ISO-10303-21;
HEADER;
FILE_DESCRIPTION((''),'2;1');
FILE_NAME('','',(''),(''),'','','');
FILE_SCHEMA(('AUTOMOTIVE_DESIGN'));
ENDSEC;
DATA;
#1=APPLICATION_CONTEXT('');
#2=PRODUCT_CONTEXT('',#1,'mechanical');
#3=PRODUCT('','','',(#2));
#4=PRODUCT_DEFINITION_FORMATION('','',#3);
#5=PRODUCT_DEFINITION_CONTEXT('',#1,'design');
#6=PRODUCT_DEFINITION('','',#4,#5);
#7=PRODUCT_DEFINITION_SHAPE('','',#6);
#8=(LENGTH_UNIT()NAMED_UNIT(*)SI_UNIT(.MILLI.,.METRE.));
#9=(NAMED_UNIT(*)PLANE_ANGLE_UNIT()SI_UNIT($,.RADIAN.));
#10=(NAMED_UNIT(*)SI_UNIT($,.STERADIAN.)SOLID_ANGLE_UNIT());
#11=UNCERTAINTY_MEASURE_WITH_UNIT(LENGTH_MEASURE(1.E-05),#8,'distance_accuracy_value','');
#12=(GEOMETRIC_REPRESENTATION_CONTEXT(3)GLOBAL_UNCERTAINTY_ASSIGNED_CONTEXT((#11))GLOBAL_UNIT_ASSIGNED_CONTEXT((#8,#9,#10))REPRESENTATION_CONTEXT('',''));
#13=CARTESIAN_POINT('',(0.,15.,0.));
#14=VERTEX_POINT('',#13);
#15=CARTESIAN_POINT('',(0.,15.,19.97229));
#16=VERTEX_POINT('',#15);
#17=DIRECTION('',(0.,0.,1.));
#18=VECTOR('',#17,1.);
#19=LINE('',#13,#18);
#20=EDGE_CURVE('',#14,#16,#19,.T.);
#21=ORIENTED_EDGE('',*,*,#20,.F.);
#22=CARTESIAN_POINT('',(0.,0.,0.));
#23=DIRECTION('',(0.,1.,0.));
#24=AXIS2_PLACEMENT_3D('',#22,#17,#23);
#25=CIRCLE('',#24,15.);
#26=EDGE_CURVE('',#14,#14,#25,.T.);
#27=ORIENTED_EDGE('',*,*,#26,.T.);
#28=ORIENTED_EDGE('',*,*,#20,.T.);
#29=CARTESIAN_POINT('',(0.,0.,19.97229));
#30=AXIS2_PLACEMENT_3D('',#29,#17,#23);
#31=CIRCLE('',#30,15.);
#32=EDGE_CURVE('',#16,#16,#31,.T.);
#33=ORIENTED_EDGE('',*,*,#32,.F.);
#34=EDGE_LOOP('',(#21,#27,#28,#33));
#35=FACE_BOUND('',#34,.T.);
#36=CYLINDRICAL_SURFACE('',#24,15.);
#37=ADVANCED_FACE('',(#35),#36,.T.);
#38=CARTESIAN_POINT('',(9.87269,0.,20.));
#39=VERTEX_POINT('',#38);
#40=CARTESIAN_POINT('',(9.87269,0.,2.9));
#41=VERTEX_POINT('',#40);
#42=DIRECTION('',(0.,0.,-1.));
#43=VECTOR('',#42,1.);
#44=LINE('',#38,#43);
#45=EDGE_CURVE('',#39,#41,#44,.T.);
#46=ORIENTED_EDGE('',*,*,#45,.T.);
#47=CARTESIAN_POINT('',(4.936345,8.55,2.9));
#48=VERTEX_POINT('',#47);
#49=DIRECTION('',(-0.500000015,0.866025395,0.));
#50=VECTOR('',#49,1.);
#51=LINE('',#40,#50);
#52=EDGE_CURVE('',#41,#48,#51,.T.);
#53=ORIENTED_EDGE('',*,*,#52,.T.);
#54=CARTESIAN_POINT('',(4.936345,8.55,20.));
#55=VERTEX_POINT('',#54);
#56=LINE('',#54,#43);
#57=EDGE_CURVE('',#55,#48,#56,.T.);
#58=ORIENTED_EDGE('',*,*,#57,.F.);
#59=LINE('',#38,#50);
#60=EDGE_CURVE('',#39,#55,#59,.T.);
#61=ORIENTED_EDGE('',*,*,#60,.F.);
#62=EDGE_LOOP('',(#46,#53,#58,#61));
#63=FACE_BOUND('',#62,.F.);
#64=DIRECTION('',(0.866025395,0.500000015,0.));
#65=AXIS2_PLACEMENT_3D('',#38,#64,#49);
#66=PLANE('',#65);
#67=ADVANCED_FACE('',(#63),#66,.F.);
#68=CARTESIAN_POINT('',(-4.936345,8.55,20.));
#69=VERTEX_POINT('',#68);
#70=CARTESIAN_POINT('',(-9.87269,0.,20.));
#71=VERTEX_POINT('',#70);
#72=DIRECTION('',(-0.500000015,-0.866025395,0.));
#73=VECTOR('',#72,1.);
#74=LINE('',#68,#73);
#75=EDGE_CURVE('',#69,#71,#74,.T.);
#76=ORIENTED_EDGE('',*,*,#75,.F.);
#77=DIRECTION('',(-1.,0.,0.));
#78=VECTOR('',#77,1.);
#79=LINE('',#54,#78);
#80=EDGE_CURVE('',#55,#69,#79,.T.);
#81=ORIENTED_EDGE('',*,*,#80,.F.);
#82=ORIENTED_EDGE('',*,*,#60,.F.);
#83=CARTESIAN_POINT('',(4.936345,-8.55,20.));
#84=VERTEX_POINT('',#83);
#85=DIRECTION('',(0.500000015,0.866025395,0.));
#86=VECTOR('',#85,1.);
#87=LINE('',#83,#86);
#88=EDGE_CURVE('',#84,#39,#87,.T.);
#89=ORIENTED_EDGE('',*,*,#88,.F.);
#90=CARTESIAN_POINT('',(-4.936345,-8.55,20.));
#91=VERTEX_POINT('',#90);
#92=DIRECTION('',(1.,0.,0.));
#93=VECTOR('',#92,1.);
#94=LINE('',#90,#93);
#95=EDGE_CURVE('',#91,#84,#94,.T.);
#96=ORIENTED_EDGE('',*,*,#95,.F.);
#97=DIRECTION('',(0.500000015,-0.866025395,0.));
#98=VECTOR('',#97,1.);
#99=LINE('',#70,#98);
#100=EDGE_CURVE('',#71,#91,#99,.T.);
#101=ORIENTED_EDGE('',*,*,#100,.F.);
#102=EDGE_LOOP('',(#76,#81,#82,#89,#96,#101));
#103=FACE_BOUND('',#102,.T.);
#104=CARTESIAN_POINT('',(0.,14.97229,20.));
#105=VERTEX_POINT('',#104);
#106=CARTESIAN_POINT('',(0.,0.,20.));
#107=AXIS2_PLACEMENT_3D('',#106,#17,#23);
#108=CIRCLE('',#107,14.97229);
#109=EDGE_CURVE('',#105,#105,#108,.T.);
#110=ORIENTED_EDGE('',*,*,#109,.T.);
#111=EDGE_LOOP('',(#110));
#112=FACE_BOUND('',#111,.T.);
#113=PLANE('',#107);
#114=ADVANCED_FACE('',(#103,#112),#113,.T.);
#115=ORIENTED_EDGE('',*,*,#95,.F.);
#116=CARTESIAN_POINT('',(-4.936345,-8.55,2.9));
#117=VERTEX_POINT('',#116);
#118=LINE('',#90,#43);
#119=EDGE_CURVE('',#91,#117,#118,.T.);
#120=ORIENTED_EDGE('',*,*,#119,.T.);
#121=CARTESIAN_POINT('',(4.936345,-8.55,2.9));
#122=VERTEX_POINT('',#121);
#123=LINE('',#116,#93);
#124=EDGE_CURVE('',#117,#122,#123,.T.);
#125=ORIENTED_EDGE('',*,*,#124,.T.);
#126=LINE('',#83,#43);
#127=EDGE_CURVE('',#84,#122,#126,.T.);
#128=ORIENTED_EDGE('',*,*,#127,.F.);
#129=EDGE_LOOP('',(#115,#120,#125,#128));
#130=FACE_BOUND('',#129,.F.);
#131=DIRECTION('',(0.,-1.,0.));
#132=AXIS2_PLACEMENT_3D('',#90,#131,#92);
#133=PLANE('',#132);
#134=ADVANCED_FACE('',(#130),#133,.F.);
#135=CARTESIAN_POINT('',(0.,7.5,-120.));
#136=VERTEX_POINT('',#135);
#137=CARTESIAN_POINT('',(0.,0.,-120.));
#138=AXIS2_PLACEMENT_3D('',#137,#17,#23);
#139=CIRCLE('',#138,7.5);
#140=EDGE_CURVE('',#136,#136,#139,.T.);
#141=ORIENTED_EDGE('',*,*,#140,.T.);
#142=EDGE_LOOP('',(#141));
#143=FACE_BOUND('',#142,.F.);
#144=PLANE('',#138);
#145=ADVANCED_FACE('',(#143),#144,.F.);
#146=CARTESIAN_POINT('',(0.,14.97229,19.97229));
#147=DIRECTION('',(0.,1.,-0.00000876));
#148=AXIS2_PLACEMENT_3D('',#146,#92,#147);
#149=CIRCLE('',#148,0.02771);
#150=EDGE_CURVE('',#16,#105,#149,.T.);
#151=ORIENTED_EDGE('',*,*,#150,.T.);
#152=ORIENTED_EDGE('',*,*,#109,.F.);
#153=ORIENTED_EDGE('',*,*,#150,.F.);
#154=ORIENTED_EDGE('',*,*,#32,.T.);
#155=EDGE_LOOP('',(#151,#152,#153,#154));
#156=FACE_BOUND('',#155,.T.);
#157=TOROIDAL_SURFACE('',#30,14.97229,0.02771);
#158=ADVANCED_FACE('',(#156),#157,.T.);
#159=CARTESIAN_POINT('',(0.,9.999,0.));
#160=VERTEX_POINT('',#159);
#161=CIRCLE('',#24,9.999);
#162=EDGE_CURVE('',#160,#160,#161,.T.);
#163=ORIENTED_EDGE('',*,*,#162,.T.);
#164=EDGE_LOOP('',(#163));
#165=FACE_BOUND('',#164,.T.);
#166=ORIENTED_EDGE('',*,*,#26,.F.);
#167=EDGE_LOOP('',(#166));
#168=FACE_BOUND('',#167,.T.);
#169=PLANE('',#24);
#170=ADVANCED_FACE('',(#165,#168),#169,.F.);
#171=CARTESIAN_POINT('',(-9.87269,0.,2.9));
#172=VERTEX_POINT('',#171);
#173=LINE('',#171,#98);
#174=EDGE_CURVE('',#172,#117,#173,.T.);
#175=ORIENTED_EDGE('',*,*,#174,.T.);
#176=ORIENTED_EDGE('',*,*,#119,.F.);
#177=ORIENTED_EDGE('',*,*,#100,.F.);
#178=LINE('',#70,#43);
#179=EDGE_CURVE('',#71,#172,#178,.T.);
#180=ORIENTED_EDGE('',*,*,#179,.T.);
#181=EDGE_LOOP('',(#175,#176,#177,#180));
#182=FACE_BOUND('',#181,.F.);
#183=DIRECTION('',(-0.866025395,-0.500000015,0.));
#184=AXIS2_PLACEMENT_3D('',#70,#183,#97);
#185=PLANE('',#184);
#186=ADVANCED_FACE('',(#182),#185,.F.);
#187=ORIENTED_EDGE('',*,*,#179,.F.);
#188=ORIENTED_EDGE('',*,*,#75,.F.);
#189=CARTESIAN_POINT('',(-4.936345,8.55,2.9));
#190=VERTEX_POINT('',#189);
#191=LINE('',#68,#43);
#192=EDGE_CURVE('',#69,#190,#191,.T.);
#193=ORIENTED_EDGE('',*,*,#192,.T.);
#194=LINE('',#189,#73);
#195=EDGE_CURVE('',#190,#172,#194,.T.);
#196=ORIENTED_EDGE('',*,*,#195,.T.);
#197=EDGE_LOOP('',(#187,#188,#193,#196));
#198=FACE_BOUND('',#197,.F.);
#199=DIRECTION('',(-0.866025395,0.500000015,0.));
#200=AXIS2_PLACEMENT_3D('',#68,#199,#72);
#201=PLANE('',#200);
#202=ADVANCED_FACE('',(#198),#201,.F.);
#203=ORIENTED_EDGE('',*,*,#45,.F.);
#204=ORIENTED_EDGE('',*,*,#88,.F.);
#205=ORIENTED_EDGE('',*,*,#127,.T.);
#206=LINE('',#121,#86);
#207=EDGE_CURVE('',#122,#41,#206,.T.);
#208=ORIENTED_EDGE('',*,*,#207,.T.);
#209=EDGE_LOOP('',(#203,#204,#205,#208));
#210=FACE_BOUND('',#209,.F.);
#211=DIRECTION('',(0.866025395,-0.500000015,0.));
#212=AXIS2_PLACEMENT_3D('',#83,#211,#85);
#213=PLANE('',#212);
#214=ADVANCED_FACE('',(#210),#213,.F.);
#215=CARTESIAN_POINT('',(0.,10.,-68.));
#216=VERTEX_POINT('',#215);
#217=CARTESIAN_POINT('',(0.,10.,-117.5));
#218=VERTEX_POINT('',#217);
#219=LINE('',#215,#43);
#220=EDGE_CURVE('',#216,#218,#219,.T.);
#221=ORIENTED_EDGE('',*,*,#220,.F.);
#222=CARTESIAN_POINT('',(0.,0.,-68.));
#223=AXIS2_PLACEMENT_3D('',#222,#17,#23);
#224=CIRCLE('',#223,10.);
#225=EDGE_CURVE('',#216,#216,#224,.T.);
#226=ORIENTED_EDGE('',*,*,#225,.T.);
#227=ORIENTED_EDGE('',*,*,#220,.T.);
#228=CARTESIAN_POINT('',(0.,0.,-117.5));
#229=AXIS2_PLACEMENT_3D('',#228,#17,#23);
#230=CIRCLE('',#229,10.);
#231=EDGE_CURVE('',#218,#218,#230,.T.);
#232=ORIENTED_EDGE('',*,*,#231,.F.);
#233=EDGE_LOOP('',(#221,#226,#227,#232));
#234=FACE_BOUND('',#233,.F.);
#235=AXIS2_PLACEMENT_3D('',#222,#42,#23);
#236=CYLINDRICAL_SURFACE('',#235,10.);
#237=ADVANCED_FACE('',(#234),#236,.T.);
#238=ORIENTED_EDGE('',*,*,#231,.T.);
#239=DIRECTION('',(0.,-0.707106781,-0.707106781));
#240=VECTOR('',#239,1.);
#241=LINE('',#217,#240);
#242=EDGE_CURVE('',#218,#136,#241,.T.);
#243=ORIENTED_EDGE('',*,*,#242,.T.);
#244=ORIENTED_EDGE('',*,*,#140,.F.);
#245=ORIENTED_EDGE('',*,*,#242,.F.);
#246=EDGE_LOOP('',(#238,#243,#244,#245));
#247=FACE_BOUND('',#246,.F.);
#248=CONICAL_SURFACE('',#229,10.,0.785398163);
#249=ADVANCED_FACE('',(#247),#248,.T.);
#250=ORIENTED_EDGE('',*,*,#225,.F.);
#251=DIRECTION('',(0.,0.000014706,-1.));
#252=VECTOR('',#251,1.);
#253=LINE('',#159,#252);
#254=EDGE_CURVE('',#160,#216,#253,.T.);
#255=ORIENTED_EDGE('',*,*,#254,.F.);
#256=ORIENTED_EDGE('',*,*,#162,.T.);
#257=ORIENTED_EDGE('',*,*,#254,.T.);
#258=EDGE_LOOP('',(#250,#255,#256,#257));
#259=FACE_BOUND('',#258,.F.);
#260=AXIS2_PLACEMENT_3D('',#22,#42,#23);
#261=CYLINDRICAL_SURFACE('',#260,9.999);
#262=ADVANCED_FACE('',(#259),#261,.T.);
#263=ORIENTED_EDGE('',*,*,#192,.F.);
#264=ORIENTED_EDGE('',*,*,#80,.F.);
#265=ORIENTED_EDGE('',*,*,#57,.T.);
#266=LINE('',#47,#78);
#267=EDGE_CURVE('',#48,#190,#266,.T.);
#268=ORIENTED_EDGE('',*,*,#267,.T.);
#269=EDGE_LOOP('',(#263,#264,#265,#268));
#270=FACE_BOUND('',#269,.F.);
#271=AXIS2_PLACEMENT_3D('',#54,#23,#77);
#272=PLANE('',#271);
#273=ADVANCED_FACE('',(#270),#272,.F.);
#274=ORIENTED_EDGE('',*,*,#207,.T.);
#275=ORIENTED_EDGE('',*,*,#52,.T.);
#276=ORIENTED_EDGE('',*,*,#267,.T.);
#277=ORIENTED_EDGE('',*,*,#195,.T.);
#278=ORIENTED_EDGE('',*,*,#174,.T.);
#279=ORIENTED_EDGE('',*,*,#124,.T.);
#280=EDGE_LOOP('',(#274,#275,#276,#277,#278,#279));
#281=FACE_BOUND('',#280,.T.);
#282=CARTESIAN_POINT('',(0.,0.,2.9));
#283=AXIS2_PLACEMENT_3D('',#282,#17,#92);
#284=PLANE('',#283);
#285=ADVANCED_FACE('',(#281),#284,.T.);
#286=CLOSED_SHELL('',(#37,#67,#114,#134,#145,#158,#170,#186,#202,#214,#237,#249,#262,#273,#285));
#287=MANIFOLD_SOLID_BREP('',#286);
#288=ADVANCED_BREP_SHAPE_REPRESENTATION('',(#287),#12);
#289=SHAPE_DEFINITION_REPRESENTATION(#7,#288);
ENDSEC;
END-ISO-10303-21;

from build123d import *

# Parameters (mm, degrees)
POCKET_DEPTH = 17.1


with BuildPart() as part:
    # Sketch → Revolve (revolve)
    with BuildSketch(Plane.YZ):
        with BuildLine():
            Line((9.999, 0), (15, 0))
            Line((15, 0), (15, 19.97229))
            ThreePointArc((15, 19.97229), (14.991884, 19.991884), (14.97229, 20))
            Line((14.97229, 20), (0, 20))
            Line((0, -120), (0, 20))
            Line((7.5, -120), (0, -120))
            Line((10, -117.5), (7.5, -120))
            Line((10, -68), (10, -117.5))
            Line((9.999, 0), (10, -68))
        make_face()
    revolve(axis=Axis((0, 0, 0), (0, 0, 1)))

    # Sketch001 → Pocket (cut)
    with BuildSketch(Plane.XY.offset(20)):
        Polygon((9.87269, 0), (4.936345, 8.55), (-4.936345, 8.55), (-9.87269, 0), (-4.936345, -8.55), (4.936345, -8.55), align=None)
    extrude(amount=-POCKET_DEPTH, mode=Mode.SUBTRACT)


solid = part.part
